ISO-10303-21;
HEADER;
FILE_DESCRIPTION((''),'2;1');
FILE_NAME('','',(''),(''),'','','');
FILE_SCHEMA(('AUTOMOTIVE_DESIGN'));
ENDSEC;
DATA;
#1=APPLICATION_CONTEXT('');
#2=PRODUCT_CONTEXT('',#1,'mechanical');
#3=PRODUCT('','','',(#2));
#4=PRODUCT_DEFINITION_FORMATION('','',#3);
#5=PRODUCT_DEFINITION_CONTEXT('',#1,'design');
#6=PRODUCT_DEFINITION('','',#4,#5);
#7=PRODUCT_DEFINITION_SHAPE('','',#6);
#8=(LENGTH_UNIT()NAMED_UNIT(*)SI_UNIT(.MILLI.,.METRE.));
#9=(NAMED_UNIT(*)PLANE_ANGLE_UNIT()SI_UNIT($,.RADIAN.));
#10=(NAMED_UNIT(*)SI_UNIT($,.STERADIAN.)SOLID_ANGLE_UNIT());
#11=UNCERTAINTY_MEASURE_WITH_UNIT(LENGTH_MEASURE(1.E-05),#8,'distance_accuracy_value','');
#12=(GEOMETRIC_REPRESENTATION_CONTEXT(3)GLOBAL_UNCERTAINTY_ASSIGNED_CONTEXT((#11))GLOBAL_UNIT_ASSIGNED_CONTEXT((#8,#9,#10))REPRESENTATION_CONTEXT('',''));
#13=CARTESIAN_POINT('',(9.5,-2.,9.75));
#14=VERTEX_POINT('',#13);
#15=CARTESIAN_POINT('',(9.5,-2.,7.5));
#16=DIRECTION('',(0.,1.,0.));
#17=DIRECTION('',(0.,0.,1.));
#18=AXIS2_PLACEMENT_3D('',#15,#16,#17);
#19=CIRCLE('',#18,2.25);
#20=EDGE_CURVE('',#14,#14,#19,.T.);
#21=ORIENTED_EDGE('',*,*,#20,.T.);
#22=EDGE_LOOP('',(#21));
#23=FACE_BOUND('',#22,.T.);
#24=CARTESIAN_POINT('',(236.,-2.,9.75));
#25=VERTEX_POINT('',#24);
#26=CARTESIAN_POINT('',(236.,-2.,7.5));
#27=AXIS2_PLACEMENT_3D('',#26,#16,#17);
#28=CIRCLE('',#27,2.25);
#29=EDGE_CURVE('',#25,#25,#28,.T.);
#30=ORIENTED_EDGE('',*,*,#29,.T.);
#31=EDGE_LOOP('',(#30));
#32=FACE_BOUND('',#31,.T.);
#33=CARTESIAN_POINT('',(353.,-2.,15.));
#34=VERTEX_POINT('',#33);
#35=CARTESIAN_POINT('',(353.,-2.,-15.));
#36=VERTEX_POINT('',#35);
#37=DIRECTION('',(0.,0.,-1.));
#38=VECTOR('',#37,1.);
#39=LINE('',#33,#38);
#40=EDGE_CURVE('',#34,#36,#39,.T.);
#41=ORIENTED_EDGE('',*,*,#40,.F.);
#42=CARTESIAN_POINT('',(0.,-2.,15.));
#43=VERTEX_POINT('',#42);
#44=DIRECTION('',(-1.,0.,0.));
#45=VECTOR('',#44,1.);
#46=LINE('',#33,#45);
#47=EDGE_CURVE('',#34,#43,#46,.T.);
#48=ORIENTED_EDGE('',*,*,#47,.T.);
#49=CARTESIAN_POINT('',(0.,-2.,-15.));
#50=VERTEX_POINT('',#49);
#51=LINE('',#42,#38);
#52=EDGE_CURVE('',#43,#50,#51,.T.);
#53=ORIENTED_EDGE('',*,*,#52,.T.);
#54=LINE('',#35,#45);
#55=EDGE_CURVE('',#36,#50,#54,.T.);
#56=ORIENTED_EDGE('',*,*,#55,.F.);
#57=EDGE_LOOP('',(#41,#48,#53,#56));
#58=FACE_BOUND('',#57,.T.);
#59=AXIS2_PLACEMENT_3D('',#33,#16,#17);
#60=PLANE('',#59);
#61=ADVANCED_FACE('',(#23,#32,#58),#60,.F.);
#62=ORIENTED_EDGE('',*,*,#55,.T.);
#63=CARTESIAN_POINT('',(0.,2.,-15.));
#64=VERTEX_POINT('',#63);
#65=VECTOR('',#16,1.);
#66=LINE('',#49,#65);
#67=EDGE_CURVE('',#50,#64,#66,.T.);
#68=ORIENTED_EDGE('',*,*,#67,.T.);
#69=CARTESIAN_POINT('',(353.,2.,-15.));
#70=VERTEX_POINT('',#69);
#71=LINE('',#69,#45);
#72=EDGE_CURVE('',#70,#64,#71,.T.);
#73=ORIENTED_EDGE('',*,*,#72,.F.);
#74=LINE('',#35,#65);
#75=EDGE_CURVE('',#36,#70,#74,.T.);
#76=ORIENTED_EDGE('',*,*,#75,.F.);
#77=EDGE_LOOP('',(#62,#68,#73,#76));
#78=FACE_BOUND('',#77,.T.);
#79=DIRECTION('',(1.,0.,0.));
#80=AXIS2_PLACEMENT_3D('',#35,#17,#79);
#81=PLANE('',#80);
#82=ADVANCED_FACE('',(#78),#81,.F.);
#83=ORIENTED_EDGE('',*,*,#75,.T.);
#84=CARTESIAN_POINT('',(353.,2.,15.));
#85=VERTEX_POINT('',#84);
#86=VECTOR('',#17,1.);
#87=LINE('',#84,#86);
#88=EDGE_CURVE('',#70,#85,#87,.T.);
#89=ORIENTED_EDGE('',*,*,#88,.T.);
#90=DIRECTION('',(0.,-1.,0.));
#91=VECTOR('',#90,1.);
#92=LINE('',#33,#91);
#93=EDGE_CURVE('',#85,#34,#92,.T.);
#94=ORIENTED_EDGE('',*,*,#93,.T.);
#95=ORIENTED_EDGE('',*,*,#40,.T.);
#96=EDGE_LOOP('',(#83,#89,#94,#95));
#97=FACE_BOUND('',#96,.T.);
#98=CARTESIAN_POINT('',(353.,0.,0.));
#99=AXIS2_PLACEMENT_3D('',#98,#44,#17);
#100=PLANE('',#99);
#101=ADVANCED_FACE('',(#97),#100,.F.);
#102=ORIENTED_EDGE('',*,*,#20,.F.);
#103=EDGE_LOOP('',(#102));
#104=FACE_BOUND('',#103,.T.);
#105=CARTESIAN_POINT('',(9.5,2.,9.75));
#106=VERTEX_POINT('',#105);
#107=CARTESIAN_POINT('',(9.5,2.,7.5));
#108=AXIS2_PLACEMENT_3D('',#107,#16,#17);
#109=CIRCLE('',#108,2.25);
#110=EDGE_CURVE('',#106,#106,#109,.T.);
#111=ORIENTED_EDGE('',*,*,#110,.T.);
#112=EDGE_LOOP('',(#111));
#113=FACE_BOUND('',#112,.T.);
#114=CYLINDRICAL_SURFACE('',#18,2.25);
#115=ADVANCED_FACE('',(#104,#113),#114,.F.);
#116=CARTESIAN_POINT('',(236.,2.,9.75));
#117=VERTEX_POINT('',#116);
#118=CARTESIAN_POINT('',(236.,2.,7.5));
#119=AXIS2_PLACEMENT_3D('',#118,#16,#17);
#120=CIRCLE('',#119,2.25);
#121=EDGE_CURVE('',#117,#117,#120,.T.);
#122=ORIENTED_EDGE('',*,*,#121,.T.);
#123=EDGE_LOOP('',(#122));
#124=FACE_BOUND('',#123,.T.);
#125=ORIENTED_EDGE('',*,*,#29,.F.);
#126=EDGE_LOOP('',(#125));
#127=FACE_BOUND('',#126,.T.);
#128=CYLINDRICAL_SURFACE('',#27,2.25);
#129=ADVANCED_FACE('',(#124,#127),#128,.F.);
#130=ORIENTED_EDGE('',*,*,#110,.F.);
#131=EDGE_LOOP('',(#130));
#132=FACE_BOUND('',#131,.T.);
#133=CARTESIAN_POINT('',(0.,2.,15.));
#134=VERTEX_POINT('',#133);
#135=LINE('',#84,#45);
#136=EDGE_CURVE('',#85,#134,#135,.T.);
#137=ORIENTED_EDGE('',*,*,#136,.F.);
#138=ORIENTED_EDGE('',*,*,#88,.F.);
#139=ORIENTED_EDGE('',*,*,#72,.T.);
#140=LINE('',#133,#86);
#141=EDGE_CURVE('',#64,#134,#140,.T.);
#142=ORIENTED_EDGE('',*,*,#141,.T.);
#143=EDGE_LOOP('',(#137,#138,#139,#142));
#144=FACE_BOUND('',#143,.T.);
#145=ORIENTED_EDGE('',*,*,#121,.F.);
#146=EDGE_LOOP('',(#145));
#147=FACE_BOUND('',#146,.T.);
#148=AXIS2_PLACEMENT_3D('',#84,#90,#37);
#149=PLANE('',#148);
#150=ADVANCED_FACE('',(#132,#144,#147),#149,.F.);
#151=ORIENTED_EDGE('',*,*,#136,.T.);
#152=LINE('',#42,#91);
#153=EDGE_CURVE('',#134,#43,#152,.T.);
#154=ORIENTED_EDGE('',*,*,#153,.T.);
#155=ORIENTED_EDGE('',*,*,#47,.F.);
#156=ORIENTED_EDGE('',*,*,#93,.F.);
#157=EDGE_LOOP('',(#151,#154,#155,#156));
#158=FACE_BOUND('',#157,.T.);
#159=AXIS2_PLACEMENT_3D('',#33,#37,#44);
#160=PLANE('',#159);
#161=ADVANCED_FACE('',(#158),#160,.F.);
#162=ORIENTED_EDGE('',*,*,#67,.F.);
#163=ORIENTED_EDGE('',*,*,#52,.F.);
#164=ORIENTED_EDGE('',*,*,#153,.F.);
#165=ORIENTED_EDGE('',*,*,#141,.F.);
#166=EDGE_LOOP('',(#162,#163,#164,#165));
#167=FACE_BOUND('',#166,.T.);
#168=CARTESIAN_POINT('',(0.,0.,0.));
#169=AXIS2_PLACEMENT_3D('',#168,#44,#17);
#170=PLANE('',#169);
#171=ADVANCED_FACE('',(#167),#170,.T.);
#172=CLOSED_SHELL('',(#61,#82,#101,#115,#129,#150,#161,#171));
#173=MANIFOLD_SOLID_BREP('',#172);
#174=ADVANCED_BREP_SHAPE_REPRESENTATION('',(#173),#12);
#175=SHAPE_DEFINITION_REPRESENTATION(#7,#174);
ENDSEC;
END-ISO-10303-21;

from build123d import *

# Parameters (mm, degrees)
SKETCH_1_W          = 30
SKETCH_1_H          = 4
EXTRUDE_1_DEPTH     = 353
SKETCH_2_R          = 2.25
CUT_EXTRUDE_1_DEPTH = 5


with BuildPart() as part:
    # Эскиз1 → Бобышка-Вытянуть1 (new body)
    with BuildSketch(Plane(origin=(0, 0, 0), x_dir=(0, 0, -1), z_dir=(1, 0, 0))):
        Rectangle(SKETCH_1_W, SKETCH_1_H)
    extrude(amount=EXTRUDE_1_DEPTH)

    # Эскиз2 → Вырез-Вытянуть1 (cut, through all)
    with BuildSketch(Plane(origin=(0, 2, 0), x_dir=(1, 0, 0), z_dir=(0, 1, 0))):
        with Locations((9.5, -7.5)):
            Circle(SKETCH_2_R)
        with Locations((236, -7.5)):
            Circle(SKETCH_2_R)
    extrude(amount=-CUT_EXTRUDE_1_DEPTH, mode=Mode.SUBTRACT)


solid = part.part
